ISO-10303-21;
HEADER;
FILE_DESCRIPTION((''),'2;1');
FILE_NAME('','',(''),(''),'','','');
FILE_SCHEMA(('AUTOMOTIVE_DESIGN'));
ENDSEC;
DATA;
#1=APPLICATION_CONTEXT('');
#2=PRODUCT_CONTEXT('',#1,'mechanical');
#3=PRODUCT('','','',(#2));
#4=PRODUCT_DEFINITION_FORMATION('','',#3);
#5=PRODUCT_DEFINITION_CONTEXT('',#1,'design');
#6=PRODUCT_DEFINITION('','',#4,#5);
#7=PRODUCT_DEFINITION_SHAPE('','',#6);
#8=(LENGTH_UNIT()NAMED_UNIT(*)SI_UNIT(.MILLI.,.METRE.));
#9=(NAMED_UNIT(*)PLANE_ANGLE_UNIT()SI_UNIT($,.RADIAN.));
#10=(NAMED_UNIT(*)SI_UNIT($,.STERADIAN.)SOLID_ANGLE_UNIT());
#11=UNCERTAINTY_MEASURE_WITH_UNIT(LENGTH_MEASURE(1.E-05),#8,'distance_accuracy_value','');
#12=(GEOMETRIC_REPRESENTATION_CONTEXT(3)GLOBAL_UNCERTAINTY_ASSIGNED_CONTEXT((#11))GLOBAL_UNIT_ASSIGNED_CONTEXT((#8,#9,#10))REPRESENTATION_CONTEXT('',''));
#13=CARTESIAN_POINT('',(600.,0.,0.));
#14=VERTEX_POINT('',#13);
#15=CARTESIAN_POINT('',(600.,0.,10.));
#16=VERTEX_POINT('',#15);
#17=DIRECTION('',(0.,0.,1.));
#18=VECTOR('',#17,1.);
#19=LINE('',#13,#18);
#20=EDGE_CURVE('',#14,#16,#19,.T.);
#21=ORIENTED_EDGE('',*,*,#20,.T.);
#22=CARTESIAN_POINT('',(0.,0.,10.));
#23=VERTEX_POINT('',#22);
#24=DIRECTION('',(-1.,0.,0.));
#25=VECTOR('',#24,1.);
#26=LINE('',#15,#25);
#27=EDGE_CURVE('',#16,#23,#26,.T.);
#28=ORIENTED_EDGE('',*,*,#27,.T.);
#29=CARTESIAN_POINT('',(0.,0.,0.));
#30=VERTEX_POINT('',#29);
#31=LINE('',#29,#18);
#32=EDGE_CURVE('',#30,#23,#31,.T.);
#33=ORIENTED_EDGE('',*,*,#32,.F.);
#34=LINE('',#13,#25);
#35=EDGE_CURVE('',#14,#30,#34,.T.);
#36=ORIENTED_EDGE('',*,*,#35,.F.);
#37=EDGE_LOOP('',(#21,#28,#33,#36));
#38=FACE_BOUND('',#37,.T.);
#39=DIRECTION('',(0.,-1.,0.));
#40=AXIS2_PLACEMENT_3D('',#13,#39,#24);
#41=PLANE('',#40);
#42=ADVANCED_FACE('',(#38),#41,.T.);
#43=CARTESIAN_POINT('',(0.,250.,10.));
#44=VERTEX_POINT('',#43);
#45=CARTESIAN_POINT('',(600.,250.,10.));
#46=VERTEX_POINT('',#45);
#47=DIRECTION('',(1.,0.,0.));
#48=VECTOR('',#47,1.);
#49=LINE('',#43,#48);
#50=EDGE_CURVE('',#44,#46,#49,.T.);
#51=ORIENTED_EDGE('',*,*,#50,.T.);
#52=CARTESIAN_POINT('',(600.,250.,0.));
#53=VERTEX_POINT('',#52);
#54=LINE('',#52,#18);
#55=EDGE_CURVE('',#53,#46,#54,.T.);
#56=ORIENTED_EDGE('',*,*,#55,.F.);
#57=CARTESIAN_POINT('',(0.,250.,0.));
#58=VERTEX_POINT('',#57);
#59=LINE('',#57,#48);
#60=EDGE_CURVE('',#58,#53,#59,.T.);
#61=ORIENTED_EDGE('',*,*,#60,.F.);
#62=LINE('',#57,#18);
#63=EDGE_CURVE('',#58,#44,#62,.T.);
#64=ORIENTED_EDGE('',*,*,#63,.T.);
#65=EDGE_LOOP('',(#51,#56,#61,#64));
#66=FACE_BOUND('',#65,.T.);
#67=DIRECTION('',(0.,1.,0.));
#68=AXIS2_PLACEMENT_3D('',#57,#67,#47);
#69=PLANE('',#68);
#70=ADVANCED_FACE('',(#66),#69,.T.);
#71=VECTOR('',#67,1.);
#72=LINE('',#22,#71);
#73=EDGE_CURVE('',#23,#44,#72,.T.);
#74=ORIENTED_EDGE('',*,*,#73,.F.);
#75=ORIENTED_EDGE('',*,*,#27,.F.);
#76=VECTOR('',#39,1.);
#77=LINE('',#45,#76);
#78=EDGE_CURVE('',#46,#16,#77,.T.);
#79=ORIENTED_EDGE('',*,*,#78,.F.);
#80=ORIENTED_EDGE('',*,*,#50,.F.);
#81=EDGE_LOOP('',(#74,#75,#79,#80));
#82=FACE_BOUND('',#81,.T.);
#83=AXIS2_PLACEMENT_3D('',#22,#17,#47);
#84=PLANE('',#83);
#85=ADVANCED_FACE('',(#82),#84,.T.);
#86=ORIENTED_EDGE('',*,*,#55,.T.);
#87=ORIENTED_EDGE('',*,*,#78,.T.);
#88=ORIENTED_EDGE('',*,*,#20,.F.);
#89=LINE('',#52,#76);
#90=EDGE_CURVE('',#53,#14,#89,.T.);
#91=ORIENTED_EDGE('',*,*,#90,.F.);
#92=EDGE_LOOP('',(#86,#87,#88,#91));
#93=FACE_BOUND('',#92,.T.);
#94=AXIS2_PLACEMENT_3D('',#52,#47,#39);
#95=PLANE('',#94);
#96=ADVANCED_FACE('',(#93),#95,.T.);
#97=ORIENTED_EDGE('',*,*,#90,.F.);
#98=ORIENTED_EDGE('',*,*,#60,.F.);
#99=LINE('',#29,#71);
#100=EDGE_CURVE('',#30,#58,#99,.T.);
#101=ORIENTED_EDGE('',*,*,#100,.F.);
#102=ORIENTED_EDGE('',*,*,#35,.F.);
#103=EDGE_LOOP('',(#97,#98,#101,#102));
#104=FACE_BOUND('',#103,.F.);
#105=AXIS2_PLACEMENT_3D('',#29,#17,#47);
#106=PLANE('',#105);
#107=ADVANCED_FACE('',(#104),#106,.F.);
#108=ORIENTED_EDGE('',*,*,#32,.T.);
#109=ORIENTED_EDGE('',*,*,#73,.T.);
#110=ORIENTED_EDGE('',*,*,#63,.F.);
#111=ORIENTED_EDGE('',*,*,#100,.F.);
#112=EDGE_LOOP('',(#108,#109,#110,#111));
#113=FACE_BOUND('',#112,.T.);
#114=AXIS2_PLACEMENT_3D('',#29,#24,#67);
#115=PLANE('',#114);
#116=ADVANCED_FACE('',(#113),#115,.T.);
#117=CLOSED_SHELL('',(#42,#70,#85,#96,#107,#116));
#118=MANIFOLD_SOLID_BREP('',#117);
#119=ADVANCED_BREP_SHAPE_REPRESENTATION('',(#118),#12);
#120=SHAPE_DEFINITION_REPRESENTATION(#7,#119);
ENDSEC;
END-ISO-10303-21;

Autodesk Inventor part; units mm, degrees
ref_plane "YZ Plane" through (0, 0, 0) normal (1, 0, 0) x (0, 1, 0)
ref_plane "XZ Plane" through (0, 0, 0) normal (0, 1, 0) x (-1, 0, 0)
ref_plane "XY Plane" through (0, 0, 0) normal (0, 0, 1) x (1, 0, 0)
sketch "Sketch5" plane through (0, 0, 0) normal (0, 0, 1) x (1, 0, 0)
  line L0 (0, 0) -> (0, 250)
  line L1 (0, 0) -> (250, 0) construction
  line L2 (0, 250) -> (600, 250)
  line L3 (600, 250) -> (600, 0)
  line L4 (600, 0) -> (0, 0)
  dimension "d3" = 250
  dimension "d4" = 90
  dimension "d5" = 600
  dimension "d6" = 90
  dimension "d7" = 250
  dimension "d8" = 90
extrude "Extrusion1" add sketch "Sketch5" along normal blind 10
properties part number "wall_plate_750 v2" material "Copper"
